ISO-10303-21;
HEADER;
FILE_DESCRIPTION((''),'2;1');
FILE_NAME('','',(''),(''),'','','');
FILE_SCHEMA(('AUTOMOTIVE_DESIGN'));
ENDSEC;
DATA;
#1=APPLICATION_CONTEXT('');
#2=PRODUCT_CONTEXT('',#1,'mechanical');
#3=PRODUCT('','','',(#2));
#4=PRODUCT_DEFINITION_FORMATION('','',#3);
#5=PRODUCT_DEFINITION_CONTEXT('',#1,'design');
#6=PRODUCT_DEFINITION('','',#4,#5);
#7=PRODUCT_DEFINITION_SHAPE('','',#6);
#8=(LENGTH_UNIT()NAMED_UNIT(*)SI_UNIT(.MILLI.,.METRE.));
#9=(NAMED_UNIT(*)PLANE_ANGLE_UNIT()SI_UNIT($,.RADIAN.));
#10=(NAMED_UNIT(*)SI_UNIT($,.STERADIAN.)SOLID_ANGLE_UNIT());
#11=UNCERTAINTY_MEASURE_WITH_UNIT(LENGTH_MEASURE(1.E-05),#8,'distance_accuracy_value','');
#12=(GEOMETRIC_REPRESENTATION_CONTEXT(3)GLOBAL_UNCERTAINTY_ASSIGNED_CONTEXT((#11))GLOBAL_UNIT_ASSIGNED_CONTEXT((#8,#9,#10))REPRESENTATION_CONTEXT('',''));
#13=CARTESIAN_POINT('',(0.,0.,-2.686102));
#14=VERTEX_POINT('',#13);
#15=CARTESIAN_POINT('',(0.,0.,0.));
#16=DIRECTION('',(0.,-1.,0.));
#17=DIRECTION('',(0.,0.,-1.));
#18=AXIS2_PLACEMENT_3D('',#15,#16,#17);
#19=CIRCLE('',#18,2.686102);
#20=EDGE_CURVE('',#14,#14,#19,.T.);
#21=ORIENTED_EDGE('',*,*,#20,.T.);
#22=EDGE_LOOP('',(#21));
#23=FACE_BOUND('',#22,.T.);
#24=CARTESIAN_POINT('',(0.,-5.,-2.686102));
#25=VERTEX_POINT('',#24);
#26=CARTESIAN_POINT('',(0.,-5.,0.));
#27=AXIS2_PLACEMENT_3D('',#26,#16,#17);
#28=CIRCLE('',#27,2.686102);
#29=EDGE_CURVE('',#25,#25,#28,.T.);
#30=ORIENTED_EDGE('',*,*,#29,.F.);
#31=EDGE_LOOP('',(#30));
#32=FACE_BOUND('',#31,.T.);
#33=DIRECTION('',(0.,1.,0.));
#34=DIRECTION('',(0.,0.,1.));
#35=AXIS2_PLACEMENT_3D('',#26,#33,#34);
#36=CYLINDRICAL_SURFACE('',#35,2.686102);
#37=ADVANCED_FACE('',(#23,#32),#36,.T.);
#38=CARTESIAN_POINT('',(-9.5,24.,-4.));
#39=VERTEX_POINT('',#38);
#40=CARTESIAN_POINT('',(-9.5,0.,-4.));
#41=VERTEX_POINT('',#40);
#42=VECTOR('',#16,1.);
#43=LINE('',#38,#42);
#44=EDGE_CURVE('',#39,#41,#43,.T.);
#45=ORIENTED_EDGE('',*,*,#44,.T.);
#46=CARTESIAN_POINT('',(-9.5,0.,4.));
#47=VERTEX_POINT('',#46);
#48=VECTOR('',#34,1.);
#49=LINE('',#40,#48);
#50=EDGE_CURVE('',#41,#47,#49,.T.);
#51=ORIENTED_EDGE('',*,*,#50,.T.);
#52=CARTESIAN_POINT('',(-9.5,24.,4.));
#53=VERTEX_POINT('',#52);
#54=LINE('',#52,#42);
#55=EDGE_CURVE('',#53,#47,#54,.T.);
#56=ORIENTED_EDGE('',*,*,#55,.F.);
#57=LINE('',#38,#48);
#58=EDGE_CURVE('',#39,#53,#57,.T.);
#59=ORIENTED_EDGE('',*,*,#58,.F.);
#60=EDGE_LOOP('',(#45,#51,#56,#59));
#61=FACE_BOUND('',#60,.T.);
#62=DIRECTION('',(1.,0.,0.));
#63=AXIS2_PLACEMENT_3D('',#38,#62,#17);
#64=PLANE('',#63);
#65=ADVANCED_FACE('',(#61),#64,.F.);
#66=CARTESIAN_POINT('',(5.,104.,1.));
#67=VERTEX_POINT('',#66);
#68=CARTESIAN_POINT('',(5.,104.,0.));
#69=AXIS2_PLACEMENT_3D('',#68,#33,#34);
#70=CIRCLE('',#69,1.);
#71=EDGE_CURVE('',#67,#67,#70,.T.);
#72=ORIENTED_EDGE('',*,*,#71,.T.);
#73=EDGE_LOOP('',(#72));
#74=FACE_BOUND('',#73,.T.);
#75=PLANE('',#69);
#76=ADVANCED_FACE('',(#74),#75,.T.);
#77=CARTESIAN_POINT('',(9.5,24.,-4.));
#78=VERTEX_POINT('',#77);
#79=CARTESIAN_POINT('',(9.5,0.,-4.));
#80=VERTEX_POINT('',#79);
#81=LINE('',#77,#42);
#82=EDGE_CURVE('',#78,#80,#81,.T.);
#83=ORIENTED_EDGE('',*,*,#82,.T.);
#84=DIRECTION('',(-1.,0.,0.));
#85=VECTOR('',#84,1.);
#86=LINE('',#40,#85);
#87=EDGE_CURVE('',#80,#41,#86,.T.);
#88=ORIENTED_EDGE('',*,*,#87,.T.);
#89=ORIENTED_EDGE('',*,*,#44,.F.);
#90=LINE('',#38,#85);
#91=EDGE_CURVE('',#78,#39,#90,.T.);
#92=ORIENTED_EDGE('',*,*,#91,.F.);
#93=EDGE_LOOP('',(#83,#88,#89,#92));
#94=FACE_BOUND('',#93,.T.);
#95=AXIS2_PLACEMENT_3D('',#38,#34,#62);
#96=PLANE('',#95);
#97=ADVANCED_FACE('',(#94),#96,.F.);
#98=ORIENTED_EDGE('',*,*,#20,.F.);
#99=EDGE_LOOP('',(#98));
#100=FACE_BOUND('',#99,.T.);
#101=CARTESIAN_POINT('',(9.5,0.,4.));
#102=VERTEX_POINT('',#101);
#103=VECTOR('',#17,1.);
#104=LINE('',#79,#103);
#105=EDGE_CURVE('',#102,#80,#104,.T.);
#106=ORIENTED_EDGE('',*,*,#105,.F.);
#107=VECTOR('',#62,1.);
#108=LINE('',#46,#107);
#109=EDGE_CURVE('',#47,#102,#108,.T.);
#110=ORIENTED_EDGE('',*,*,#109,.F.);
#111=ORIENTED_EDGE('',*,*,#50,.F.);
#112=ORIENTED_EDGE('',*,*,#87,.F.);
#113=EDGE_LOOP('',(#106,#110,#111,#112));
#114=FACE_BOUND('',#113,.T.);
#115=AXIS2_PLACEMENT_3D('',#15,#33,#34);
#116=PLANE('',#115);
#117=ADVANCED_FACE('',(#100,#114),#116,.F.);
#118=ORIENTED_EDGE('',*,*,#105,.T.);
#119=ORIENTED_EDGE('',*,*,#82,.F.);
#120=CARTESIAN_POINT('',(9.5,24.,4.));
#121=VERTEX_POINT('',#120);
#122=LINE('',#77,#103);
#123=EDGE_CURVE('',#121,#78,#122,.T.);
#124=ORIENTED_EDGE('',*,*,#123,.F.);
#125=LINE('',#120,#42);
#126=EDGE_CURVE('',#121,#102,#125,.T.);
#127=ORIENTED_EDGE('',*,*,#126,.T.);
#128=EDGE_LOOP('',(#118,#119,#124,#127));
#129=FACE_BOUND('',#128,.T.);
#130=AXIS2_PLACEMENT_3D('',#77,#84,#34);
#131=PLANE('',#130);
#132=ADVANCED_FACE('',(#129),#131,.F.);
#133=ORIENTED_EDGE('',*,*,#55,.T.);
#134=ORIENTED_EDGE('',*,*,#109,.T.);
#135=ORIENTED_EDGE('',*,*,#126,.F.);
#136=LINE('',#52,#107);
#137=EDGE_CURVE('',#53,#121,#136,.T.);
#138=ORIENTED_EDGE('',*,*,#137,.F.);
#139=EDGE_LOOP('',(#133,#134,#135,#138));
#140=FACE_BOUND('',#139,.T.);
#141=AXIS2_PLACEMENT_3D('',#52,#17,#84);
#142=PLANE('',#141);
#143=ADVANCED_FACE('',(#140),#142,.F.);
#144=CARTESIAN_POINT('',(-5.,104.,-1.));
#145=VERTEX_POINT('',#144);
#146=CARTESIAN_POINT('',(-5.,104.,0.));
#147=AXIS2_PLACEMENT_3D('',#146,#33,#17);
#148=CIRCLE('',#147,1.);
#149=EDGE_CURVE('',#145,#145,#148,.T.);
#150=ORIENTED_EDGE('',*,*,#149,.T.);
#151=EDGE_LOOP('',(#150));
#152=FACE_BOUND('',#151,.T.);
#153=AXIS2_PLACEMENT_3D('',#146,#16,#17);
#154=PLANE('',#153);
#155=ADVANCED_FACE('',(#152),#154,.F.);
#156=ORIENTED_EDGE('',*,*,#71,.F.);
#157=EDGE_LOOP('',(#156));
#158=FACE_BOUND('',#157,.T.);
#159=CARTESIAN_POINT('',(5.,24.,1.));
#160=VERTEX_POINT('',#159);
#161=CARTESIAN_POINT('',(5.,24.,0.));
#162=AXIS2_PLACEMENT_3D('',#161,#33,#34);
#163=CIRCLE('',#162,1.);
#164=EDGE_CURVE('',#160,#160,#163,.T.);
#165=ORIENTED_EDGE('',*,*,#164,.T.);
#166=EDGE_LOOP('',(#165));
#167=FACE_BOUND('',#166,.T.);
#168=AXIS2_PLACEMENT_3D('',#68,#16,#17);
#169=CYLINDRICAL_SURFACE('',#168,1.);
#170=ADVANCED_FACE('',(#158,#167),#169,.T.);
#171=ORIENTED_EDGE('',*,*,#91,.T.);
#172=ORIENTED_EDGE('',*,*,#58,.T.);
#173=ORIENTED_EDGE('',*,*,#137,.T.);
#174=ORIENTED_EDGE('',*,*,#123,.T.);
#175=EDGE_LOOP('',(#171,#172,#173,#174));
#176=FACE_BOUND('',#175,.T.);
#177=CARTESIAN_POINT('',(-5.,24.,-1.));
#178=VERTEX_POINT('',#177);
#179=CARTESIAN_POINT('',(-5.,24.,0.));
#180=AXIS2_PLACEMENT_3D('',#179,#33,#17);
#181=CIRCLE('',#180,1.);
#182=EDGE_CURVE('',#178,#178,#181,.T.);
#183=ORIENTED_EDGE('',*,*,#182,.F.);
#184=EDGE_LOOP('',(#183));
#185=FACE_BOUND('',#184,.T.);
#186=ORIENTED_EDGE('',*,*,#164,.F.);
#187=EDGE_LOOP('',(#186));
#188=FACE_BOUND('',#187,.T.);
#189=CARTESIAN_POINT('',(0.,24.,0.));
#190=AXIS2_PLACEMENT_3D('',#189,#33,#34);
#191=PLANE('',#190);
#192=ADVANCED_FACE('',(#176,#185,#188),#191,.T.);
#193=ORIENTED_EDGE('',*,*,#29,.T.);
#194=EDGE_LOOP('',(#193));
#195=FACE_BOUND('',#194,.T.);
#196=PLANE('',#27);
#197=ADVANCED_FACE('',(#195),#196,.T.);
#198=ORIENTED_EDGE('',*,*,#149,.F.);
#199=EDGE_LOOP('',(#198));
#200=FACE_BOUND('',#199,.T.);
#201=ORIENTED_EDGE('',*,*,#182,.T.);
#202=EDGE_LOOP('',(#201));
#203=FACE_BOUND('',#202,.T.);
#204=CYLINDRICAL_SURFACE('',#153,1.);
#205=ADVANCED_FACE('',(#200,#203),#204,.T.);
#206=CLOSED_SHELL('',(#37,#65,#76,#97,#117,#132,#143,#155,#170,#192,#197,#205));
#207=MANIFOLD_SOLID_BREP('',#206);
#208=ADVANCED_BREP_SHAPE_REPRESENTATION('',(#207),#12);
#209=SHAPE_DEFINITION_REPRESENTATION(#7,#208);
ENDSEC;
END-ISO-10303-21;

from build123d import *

# Parameters (mm, degrees)
SKETCH_1_W      = 19
SKETCH_1_H      = 8
EXTRUDE_1_DEPTH = 24
SKETCH_2_R      = 1
EXTRUDE_2_DEPTH = 80
SKETCH_3_R      = 2.686102283
EXTRUDE_3_DEPTH = 5


with BuildPart() as part:
    # 草图1 → 凸台-拉伸1 (new body)
    with BuildSketch(Plane(origin=(0, 0, 0), x_dir=(1, 0, 0), z_dir=(0, 1, 0))):
        Rectangle(SKETCH_1_W, SKETCH_1_H)
    extrude(amount=EXTRUDE_1_DEPTH)

    # 草图2 → 凸台-拉伸2 (add)
    with BuildSketch(Plane(origin=(0, 24, 0), x_dir=(1, 0, 0), z_dir=(0, 1, 0))):
        with Locations((5, 0)):
            Circle(SKETCH_2_R)
        with Locations((-5, 0)):
            Circle(SKETCH_2_R)
    extrude(amount=EXTRUDE_2_DEPTH)

    # 草图3 → 凸台-拉伸3 (add)
    with BuildSketch(Plane.XZ):
        Circle(SKETCH_3_R)
    extrude(amount=EXTRUDE_3_DEPTH)


solid = part.part
